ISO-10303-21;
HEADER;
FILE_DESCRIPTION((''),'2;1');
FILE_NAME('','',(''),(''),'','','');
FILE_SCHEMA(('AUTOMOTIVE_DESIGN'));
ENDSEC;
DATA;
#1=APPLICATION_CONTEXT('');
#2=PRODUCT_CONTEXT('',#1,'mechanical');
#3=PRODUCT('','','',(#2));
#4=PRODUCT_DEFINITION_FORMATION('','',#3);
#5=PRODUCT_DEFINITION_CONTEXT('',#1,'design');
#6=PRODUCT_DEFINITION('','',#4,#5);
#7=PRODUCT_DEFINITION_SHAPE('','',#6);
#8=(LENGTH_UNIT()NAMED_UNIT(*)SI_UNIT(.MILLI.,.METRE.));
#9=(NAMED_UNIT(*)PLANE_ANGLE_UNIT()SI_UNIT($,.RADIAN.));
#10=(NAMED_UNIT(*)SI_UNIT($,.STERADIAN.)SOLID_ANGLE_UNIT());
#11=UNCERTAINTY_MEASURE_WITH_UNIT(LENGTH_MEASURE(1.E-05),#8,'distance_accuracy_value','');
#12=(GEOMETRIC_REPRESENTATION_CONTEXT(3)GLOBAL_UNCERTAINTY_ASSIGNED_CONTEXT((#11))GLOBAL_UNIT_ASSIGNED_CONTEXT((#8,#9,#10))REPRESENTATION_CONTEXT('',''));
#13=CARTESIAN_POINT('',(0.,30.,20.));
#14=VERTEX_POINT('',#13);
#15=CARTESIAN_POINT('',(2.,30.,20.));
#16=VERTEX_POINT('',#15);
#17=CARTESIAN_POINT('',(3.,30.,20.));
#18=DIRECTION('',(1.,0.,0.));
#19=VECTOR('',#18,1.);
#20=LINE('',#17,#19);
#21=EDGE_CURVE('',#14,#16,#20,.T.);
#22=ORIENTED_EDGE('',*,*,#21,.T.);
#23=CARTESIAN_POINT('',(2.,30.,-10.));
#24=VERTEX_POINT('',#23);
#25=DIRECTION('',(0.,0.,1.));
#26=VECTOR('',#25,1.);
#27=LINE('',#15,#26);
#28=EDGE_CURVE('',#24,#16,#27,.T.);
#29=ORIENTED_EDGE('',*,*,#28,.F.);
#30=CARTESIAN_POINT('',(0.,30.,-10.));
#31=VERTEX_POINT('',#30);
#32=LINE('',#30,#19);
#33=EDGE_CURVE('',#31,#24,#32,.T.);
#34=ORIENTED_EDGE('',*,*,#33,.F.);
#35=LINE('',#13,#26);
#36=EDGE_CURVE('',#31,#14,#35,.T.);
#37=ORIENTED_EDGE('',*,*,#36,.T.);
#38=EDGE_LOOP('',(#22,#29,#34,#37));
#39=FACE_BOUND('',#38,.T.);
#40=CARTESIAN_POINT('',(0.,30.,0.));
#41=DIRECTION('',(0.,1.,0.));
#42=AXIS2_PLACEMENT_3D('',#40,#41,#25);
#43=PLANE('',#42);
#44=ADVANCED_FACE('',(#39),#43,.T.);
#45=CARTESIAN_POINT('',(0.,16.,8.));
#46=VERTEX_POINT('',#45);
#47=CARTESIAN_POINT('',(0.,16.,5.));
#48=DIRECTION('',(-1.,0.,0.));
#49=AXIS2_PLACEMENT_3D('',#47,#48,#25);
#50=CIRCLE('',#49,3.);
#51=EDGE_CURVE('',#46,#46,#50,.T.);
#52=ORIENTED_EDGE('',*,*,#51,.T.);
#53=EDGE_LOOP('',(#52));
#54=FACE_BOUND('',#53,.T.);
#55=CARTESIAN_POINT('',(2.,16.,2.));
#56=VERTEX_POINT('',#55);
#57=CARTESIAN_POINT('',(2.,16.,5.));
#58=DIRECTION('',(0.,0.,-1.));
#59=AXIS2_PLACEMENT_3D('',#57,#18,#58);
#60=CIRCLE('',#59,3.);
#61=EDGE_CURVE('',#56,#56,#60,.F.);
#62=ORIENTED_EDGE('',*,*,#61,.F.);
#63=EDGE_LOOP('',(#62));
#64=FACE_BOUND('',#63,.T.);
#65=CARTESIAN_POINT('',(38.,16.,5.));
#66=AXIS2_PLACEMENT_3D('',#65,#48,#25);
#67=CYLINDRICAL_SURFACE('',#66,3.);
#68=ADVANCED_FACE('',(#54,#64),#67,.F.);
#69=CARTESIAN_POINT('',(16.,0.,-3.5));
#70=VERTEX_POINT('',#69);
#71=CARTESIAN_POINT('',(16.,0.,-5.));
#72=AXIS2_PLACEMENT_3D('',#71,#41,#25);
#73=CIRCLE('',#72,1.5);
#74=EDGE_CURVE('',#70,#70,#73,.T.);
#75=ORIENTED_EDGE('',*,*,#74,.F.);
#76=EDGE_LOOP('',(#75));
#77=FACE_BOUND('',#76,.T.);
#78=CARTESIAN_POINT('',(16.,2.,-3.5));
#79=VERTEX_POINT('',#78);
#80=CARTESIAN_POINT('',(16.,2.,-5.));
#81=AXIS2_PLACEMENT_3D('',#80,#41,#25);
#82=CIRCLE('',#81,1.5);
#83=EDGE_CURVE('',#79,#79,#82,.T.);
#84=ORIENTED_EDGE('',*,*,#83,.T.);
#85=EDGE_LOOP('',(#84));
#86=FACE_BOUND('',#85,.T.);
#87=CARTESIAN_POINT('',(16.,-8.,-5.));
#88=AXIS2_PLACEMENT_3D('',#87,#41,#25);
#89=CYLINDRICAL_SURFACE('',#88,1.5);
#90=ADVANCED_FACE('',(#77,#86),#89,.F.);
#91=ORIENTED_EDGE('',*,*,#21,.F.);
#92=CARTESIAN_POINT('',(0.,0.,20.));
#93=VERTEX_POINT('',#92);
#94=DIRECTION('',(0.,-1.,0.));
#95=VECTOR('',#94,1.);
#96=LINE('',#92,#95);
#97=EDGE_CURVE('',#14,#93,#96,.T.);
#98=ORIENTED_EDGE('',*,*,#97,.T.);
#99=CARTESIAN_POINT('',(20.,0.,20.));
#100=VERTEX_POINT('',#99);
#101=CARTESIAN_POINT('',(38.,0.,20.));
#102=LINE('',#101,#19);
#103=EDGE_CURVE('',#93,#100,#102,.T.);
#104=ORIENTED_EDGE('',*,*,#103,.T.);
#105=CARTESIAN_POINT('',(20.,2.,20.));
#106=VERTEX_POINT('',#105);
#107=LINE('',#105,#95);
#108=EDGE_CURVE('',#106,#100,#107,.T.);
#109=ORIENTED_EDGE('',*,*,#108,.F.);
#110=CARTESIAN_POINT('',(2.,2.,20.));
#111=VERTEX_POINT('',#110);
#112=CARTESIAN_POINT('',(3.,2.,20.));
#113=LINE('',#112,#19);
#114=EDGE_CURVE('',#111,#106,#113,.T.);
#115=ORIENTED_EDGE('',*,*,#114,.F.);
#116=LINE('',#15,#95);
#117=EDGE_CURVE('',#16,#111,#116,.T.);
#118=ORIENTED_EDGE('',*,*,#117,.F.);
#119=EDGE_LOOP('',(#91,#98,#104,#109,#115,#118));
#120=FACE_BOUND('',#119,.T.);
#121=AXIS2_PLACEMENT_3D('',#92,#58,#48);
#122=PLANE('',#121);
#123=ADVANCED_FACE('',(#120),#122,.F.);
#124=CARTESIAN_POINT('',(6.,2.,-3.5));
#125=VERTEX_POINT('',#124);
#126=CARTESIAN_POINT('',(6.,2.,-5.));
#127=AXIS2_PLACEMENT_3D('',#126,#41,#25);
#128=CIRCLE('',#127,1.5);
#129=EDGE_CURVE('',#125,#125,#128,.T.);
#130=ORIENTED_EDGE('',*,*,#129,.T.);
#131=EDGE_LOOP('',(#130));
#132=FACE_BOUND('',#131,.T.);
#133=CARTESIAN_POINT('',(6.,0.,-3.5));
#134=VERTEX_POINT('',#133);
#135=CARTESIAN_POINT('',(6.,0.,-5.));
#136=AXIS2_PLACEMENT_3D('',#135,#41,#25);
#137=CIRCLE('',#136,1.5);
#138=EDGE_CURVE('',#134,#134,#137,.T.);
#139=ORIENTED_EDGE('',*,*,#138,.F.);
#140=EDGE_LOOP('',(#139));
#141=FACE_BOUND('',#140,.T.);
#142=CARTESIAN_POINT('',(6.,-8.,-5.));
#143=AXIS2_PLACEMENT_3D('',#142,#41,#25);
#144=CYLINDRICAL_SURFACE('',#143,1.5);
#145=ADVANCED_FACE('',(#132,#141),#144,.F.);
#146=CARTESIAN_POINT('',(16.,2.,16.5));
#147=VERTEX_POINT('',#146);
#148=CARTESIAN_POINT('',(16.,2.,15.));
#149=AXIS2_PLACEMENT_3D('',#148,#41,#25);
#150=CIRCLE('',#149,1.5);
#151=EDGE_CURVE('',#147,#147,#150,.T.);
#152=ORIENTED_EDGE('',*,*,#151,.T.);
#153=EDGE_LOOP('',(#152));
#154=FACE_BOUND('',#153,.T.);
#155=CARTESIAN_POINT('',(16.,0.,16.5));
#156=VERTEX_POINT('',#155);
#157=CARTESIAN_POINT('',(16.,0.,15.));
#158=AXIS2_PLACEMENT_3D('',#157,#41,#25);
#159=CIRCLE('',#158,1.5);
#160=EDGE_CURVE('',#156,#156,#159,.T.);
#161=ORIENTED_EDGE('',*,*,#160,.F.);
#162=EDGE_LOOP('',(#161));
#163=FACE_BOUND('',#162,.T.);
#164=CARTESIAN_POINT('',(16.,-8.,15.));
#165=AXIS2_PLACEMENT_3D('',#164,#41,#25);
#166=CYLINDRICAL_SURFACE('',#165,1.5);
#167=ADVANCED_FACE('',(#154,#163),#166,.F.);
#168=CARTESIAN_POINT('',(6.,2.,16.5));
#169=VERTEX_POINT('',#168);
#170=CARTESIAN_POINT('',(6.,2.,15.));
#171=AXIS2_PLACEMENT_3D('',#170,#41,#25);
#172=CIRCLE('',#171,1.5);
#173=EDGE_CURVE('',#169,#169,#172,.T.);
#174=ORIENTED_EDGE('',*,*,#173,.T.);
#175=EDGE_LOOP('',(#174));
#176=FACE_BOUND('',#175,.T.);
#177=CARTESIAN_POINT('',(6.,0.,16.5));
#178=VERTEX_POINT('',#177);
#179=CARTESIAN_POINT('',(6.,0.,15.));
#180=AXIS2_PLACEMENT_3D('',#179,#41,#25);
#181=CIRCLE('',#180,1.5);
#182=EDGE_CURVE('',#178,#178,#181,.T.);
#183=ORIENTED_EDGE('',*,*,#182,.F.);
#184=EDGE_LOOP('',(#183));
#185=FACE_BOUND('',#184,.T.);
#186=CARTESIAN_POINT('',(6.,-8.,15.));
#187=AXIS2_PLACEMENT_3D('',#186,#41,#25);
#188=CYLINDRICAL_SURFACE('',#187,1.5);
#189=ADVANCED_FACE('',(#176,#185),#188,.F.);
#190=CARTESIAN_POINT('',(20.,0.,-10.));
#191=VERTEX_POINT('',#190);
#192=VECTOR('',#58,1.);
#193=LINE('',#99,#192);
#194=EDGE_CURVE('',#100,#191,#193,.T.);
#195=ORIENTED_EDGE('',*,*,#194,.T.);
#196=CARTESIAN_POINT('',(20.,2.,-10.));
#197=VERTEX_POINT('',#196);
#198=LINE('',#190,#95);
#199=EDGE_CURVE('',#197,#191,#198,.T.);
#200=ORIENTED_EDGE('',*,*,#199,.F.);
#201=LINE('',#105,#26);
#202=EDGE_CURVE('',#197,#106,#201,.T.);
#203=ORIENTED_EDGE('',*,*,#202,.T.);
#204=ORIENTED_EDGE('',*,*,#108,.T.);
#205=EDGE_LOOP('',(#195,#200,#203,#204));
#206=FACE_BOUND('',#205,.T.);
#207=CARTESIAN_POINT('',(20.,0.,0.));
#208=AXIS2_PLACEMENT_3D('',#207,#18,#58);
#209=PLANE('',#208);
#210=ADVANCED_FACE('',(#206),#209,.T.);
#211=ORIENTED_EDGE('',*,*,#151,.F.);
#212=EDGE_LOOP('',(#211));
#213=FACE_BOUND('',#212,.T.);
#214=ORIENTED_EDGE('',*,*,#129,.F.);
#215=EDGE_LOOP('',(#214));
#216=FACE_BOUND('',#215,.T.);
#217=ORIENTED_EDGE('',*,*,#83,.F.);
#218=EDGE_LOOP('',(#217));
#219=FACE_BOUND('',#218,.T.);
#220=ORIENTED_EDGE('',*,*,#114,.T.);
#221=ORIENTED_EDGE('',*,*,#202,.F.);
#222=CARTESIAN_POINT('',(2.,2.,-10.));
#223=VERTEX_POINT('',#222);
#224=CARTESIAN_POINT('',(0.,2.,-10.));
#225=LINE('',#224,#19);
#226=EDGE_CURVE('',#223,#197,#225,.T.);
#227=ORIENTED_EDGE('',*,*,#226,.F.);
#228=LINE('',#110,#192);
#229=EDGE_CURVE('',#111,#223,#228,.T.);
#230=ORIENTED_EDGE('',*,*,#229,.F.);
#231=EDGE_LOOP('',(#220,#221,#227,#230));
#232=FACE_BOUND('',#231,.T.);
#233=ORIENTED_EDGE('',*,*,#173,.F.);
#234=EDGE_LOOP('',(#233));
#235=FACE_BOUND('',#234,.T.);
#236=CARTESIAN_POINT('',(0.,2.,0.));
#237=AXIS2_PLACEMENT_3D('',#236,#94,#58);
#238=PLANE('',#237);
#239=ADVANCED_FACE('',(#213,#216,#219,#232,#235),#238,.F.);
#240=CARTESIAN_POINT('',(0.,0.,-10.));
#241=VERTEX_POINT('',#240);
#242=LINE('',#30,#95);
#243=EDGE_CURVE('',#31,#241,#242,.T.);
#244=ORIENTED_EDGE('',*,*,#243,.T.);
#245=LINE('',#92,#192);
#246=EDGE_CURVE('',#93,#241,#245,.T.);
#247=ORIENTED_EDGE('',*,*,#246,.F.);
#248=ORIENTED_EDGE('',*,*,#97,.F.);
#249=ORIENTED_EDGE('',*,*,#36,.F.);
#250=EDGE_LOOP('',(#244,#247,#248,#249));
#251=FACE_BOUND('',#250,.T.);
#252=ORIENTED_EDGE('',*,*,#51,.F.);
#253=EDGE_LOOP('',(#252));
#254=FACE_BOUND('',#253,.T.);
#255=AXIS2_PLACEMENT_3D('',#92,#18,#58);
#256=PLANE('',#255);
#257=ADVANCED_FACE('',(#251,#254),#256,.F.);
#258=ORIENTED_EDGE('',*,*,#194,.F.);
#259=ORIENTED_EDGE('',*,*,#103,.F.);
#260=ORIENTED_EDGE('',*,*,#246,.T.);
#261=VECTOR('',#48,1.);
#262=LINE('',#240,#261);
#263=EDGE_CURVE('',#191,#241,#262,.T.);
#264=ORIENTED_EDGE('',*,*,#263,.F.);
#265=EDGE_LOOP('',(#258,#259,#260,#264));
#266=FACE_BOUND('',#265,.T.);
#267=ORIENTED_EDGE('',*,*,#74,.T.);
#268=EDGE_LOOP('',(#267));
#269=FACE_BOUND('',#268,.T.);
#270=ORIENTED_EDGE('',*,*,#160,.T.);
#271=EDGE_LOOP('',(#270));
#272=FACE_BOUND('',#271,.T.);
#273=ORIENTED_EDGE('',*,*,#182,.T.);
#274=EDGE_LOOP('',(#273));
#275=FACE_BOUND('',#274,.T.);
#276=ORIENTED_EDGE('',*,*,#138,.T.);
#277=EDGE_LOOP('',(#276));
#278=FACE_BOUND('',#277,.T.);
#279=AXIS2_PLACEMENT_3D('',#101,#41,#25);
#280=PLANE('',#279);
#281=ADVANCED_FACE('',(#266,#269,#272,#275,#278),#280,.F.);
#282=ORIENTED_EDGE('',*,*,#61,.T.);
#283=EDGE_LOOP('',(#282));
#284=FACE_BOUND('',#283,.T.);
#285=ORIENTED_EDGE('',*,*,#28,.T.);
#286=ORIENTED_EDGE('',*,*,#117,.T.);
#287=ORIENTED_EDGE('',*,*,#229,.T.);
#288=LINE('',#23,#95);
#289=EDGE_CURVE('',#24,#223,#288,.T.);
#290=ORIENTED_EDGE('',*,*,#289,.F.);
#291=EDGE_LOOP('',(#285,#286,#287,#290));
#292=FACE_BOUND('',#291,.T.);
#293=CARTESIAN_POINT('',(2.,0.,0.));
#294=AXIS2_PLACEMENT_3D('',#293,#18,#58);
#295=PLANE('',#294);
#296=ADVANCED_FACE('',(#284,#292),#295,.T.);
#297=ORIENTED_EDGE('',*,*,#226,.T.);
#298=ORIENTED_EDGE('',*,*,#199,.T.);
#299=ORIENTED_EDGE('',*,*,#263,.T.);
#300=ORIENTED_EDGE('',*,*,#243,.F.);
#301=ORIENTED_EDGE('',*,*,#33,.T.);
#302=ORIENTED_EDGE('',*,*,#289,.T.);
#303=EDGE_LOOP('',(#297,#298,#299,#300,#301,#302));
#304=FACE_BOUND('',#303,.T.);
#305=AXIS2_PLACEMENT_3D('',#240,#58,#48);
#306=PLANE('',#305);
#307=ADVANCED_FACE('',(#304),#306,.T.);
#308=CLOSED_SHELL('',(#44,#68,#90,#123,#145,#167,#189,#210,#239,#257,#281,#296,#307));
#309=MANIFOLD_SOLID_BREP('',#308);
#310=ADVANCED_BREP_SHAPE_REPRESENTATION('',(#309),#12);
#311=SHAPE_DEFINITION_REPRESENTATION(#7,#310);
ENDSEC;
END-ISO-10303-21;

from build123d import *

# Parameters (mm, degrees)
EXTRUDE_1_DEPTH     = 20
SKETCH_2_R          = 3
CUT_EXTRUDE_1_DEPTH = 39
SKETCH_4_W          = 3
SKETCH_4_H          = 20
CUT_EXTRUDE_3_DEPTH = 8
SKETCH_5_W          = 35
SKETCH_5_H          = 20
CUT_EXTRUDE_4_DEPTH = 1
SKETCH_6_W          = 20
SKETCH_6_H          = 28
CUT_EXTRUDE_5_DEPTH = 1
SKETCH_8_W          = 20
SKETCH_8_H          = 2
CUT_EXTRUDE_6_DEPTH = 18
EXTRUDE_2_DEPTH     = 10
SKETCH_10_R         = 1.5
CUT_EXTRUDE_7_DEPTH = 10


with BuildPart() as part:
    # 草图1 → 凸台-拉伸1 (new body)
    with BuildSketch(Plane.XY):
        Polygon((0, 0), (0, 38), (3, 38), (3, 3), (38, 3), (38, 0), align=None)
    extrude(amount=EXTRUDE_1_DEPTH)

    # 草图2 → 切除-拉伸1 (cut, through all)
    with BuildSketch(Plane.ZY):
        with Locations((5, 16)):
            Circle(SKETCH_2_R)
    extrude(amount=-CUT_EXTRUDE_1_DEPTH, mode=Mode.SUBTRACT)

    # 草图4 → 切除-拉伸3 (cut)
    with BuildSketch(Plane(origin=(0, 38, 0), x_dir=(1, 0, 0), z_dir=(0, 1, 0))):
        with Locations((1.5, -10)):
            Rectangle(SKETCH_4_W, SKETCH_4_H)
    extrude(amount=-CUT_EXTRUDE_3_DEPTH, mode=Mode.SUBTRACT)

    # 草图5 → 切除-拉伸4 (cut)
    with BuildSketch(Plane(origin=(0, 3, 0), x_dir=(1, 0, 0), z_dir=(0, 1, 0))):
        with Locations((20.5, -10)):
            Rectangle(SKETCH_5_W, SKETCH_5_H)
    extrude(amount=-CUT_EXTRUDE_4_DEPTH, mode=Mode.SUBTRACT)

    # 草图6 → 切除-拉伸5 (cut)
    with BuildSketch(Plane(origin=(3, 0, 0), x_dir=(0, 0, -1), z_dir=(1, 0, 0))):
        with Locations((-10, 16)):
            Rectangle(SKETCH_6_W, SKETCH_6_H)
    extrude(amount=-CUT_EXTRUDE_5_DEPTH, mode=Mode.SUBTRACT)

    # 草图8 → 切除-拉伸6 (cut)
    with BuildSketch(Plane(origin=(38, 0, 0), x_dir=(0, 0, -1), z_dir=(1, 0, 0))):
        with Locations((-10, 1)):
            Rectangle(SKETCH_8_W, SKETCH_8_H)
    extrude(amount=-CUT_EXTRUDE_6_DEPTH, mode=Mode.SUBTRACT)

    # 草图9 → 凸台-拉伸2 (add)
    with BuildSketch(Plane(origin=(0, 0, 0), x_dir=(-1, 0, 0), z_dir=(0, 0, -1))):
        Polygon((0, 0), (0, 30), (-2, 30), (-2, 2), (-20, 2), (-20, 0), align=None)
    extrude(amount=EXTRUDE_2_DEPTH)

    # 草图10 → 切除-拉伸7 (cut)
    with BuildSketch(Plane(origin=(0, 2, 0), x_dir=(1, 0, 0), z_dir=(0, 1, 0))):
        with Locations((16, -15)):
            Circle(SKETCH_10_R)
        with Locations((16, 5)):
            Circle(SKETCH_10_R)
        with Locations((6, -15)):
            Circle(SKETCH_10_R)
        with Locations((6, 5)):
            Circle(SKETCH_10_R)
    extrude(amount=-CUT_EXTRUDE_7_DEPTH, mode=Mode.SUBTRACT)


solid = part.part
